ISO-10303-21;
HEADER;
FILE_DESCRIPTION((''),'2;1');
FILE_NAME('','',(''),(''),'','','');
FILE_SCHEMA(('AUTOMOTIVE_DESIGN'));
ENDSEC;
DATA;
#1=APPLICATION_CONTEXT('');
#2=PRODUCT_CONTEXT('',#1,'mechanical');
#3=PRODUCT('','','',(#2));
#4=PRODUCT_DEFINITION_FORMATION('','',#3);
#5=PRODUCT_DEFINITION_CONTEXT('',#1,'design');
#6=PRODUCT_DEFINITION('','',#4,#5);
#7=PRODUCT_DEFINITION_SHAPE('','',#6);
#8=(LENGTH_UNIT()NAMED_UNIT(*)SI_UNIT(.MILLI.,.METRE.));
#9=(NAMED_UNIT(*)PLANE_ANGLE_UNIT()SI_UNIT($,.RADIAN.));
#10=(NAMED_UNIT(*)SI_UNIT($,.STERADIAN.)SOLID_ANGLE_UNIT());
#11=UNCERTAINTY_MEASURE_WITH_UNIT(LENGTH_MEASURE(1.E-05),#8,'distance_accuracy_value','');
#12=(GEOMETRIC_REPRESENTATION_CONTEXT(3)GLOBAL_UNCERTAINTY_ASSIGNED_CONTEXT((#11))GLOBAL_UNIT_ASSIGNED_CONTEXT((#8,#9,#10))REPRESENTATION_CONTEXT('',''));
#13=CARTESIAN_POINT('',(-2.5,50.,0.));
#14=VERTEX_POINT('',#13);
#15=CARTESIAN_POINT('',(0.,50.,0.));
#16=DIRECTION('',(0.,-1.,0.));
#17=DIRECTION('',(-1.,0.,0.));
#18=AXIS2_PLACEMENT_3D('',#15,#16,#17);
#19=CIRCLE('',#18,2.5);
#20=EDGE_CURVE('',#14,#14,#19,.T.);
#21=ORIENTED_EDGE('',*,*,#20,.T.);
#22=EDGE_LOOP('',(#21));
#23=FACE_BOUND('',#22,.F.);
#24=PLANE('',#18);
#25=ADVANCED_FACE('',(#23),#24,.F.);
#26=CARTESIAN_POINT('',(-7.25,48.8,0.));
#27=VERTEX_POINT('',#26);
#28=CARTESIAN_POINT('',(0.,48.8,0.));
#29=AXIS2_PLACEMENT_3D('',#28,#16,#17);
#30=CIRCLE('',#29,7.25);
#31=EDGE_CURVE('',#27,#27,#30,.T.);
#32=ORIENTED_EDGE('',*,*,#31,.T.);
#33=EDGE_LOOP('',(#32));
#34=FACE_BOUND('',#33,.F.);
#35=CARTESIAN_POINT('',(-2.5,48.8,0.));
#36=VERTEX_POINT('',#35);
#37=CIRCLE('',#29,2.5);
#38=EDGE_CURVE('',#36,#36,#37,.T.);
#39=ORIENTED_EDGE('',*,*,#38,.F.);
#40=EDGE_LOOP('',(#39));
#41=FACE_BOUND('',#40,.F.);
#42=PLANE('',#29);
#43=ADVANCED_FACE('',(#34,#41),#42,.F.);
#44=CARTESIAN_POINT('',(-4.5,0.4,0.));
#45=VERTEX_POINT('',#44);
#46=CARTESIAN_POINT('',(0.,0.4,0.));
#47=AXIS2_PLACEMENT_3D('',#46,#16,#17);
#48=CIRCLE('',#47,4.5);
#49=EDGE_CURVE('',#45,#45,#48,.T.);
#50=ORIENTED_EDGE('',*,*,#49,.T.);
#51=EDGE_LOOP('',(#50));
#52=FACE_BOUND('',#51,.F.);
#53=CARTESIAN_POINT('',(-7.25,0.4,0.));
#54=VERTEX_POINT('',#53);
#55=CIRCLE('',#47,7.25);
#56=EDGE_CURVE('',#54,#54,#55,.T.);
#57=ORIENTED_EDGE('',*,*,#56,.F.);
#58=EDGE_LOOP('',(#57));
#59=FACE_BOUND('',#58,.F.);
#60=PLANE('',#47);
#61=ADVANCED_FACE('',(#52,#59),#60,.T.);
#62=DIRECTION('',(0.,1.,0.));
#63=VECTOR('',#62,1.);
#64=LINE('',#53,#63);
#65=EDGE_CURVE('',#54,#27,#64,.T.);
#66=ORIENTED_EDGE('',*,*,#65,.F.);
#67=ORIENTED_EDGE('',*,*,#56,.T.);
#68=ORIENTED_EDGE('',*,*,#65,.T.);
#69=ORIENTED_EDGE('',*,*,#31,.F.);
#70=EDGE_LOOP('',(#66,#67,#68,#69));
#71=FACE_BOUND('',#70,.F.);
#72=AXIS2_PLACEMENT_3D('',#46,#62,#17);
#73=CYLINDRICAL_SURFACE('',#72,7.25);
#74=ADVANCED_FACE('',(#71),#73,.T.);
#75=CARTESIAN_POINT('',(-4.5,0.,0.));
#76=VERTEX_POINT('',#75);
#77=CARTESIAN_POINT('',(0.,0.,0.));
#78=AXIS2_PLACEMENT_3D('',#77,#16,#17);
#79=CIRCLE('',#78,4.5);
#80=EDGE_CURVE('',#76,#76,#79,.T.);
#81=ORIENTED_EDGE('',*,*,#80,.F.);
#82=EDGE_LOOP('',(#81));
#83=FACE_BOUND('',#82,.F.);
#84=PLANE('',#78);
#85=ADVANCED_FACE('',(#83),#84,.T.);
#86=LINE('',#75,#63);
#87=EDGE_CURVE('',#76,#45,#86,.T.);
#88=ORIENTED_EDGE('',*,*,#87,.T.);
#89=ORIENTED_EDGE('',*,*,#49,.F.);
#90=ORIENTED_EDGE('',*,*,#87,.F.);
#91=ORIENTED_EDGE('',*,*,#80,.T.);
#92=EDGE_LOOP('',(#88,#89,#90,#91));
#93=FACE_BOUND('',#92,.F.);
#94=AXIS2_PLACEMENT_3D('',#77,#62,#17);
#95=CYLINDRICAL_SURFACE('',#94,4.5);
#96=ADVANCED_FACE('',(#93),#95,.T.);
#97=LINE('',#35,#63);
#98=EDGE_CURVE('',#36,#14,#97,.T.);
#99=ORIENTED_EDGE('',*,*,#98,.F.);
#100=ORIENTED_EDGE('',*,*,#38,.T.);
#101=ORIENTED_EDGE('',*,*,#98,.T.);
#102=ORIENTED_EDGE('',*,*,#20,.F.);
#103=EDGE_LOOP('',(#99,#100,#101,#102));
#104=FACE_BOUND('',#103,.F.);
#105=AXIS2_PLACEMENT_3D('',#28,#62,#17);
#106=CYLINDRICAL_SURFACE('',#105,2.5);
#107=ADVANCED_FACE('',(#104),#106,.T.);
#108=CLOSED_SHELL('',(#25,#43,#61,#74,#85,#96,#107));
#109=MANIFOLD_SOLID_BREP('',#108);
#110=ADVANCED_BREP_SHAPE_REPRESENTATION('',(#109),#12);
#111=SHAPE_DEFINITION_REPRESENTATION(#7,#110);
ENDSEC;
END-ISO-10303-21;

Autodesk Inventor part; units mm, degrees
ref_plane "YZ Plane" through (0, 0, 0) normal (1, 0, 0) x (0, 1, 0)
ref_plane "XZ Plane" through (0, 0, 0) normal (0, 1, 0) x (-1, 0, 0)
ref_plane "XY Plane" through (0, 0, 0) normal (0, 0, 1) x (1, 0, 0)
sketch "Sketch2" plane through (0, 0, 0) normal (0, 0, 1) x (1, 0, 0)
  line L0 (0, 0) -> (-4.5, 0)
  line L1 (-4.5, 0) -> (-4.5, 0.4)
  line L2 (-4.5, 0.4) -> (-7.25, 0.4)
  line L3 (-7.25, 0.4) -> (-7.25, 48.8)
  line L4 (-7.25, 48.8) -> (-2.5, 48.8)
  line L5 (-2.5, 48.8) -> (-2.5, 50)
  line L6 (-2.5, 50) -> (0, 50)
  line L7 (0, 50) -> (0, 0)
  dimension "d0" = 50
  dimension "d1" = 7.25
  dimension "d2" = 2.5
  dimension "d3" = 1.2
  dimension "d4" = 0.4
  dimension "d5" = 4.5
revolve "Revolution1" add sketch "Sketch2" angle 360 about axis through (0, 50, 0) along (0, -1, 0)
properties part number "AA" material "Acetal Resin, White"
